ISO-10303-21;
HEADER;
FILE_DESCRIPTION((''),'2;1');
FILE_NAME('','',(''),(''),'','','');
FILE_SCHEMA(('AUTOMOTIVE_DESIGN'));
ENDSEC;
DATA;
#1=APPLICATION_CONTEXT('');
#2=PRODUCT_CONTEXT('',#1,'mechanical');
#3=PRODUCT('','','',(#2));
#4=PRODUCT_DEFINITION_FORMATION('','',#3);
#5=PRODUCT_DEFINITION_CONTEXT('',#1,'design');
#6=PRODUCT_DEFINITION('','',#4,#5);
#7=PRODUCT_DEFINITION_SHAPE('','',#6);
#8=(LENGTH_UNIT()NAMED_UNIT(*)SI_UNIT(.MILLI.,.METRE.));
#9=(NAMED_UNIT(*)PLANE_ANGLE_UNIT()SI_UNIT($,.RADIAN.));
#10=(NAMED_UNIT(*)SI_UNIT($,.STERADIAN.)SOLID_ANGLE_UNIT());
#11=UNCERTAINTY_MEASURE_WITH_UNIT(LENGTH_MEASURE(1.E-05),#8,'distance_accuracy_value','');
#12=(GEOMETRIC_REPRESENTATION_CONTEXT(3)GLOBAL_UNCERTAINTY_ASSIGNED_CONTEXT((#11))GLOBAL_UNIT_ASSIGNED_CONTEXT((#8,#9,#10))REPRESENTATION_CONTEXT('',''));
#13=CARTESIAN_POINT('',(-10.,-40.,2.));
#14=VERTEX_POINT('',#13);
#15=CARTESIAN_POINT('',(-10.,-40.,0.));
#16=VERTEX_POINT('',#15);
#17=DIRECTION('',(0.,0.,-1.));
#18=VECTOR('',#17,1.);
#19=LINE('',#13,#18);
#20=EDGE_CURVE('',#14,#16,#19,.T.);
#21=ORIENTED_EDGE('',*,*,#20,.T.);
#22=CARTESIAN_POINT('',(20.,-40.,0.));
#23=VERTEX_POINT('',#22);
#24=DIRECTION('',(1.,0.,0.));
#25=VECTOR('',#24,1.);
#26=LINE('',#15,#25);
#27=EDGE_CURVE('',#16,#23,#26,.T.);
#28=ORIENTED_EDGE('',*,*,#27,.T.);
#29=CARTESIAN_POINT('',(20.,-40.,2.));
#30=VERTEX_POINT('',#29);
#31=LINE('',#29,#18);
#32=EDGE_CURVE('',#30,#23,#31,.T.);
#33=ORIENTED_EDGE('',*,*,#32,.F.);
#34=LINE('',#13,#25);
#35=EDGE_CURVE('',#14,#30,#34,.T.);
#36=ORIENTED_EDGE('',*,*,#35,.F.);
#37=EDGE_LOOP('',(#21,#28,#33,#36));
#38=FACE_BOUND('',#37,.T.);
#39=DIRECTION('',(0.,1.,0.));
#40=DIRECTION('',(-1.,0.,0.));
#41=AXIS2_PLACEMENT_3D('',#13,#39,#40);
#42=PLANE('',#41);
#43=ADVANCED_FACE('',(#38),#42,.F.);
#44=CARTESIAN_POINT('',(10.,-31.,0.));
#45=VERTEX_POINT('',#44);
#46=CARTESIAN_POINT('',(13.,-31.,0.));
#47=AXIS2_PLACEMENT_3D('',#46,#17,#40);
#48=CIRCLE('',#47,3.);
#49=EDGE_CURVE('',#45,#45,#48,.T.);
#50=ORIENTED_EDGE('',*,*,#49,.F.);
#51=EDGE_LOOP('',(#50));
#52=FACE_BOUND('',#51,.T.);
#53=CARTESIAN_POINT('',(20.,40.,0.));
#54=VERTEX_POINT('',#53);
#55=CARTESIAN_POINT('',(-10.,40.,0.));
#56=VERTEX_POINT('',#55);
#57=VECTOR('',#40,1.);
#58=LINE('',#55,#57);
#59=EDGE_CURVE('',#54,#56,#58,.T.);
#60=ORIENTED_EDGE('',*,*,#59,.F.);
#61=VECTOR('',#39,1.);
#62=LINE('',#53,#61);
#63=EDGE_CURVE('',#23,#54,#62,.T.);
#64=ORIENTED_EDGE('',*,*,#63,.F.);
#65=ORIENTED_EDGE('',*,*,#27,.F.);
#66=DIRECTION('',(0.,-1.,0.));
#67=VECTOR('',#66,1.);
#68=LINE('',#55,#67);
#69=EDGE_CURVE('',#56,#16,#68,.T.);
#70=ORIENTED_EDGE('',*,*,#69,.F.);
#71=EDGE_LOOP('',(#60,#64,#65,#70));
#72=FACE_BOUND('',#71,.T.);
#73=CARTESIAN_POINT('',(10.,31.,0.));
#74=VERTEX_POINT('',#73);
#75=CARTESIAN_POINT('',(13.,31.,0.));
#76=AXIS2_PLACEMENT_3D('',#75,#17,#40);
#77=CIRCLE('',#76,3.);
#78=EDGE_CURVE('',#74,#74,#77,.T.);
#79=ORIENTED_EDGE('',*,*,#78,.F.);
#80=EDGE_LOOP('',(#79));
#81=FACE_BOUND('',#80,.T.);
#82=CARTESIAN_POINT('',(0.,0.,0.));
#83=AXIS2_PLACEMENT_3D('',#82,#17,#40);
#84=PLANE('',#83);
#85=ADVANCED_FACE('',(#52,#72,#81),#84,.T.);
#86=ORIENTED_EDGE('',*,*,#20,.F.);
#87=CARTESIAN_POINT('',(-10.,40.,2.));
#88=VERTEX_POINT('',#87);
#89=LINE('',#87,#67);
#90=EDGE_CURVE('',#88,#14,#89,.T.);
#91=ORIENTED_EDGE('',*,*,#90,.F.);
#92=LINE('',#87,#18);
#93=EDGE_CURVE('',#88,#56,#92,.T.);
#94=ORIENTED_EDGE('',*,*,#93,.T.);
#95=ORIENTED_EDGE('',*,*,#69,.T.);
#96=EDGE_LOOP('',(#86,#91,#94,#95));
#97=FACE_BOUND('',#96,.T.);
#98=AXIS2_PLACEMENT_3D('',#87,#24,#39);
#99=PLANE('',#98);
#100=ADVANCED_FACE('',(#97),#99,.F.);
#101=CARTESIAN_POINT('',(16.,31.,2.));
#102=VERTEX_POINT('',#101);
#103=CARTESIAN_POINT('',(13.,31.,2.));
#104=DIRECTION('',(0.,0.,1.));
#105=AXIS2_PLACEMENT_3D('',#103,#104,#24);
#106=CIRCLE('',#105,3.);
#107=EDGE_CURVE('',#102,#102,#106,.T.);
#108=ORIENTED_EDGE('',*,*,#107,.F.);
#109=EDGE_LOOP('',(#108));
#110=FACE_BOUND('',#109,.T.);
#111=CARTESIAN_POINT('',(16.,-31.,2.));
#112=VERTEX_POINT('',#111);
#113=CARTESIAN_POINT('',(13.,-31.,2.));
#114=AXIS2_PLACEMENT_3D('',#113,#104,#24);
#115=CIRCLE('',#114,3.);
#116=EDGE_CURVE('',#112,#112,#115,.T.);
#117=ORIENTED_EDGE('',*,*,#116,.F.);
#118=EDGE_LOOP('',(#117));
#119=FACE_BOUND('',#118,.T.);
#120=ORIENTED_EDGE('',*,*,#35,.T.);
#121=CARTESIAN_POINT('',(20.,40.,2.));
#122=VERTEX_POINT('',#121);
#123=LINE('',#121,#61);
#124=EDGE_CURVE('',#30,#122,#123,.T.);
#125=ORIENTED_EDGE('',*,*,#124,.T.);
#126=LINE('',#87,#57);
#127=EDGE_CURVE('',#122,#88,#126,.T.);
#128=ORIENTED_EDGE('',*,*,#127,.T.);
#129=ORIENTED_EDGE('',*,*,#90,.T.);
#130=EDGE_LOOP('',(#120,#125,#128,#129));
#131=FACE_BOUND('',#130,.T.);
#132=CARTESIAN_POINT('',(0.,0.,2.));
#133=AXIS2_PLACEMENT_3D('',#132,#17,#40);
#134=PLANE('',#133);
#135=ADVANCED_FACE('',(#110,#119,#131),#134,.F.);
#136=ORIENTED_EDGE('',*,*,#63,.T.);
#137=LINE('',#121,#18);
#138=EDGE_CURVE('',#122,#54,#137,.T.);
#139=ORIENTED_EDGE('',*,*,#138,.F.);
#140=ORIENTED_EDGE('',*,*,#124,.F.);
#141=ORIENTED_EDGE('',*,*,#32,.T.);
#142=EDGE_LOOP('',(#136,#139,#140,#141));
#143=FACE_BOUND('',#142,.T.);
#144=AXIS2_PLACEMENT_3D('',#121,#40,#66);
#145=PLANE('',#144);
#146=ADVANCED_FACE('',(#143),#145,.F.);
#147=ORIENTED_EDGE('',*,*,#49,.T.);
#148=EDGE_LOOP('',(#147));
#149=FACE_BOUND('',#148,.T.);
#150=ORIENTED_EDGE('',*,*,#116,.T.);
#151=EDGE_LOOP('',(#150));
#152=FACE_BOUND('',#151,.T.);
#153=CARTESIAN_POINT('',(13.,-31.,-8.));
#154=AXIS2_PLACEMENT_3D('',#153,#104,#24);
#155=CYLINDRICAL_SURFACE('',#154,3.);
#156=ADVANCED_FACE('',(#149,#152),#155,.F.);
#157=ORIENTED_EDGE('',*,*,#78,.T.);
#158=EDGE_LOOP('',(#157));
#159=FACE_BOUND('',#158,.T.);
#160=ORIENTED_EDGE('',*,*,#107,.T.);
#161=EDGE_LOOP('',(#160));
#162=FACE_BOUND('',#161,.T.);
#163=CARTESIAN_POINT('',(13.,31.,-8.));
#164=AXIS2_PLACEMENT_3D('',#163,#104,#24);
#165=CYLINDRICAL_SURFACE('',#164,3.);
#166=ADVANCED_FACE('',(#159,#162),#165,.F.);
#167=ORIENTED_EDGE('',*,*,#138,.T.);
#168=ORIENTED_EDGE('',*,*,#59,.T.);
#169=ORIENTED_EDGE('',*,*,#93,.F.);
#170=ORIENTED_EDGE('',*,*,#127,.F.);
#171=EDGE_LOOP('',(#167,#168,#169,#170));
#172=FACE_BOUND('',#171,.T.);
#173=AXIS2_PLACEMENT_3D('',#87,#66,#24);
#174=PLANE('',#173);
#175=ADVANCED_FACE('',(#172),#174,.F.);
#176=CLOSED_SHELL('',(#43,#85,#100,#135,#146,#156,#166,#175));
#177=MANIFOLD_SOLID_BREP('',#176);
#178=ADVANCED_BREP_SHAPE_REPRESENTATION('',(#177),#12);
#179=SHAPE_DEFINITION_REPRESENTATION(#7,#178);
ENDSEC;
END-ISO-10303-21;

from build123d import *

# Parameters (mm, degrees)
SKETCH1_W           = 30
SKETCH1_H           = 80
BOSS_EXTRUDE1_DEPTH = 2
SKETCH2_R           = 3
CUT_EXTRUDE1_DEPTH  = 10


with BuildPart() as part:
    # Sketch1 → Boss-Extrude1 (new body)
    with BuildSketch(Plane.XY):
        with Locations((5, 0)):
            Rectangle(SKETCH1_W, SKETCH1_H)
    extrude(amount=BOSS_EXTRUDE1_DEPTH)

    # Sketch2 → Cut-Extrude1 (cut)
    with BuildSketch(Plane.XY.offset(2)):
        with Locations((13, 31)):
            Circle(SKETCH2_R)
        with Locations((13, -31)):
            Circle(SKETCH2_R)
    extrude(amount=-CUT_EXTRUDE1_DEPTH, mode=Mode.SUBTRACT)


solid = part.part
